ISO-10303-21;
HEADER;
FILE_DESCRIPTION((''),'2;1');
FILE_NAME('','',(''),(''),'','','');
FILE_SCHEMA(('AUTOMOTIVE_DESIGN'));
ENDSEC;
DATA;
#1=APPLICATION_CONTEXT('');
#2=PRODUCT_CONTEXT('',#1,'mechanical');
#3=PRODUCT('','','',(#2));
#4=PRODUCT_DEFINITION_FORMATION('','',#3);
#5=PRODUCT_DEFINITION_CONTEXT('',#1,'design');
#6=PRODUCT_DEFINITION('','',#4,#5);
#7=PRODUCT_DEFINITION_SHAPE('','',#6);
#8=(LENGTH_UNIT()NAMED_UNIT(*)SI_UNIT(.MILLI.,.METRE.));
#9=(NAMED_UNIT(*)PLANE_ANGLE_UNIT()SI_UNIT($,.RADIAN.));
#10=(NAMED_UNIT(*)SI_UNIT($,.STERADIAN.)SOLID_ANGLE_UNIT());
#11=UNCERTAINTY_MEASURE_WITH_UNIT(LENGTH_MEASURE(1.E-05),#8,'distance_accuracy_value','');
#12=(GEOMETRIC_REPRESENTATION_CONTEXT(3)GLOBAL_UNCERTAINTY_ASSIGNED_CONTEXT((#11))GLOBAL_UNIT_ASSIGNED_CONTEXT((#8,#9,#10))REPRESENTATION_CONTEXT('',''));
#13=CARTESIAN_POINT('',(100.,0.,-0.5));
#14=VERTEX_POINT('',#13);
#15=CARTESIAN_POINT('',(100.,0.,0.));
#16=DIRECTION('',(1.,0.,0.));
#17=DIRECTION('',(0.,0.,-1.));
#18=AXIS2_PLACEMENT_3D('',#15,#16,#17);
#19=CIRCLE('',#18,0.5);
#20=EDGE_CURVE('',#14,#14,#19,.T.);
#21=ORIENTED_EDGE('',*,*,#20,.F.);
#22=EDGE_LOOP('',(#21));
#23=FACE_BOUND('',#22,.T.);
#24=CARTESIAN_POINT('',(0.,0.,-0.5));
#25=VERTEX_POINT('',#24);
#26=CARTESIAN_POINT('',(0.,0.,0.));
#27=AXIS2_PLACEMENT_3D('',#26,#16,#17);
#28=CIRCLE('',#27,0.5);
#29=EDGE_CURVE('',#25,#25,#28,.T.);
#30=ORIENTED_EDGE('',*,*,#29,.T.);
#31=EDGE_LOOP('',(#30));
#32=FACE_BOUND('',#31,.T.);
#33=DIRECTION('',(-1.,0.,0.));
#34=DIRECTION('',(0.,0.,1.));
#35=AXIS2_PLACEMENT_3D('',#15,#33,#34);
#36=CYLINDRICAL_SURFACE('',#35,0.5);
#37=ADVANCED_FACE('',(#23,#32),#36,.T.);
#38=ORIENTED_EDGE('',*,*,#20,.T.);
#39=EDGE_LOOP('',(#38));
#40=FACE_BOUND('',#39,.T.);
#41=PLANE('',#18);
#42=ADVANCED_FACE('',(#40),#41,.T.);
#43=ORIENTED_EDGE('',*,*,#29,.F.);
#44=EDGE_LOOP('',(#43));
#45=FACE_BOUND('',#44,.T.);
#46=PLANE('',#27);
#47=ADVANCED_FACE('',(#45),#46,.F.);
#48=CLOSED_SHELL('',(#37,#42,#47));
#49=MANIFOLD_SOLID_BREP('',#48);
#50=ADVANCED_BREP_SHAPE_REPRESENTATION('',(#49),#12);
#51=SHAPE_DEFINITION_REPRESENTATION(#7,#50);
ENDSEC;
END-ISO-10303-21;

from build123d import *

# Parameters (mm, degrees)
SKETCH_1_R      = 0.5
EXTRUDE_1_DEPTH = 100


with BuildPart() as part:
    # 草图1 → 凸台-拉伸1 (new body)
    with BuildSketch(Plane(origin=(0, 0, 0), x_dir=(0, 0, -1), z_dir=(1, 0, 0))):
        Circle(SKETCH_1_R)
    extrude(amount=EXTRUDE_1_DEPTH)


solid = part.part
